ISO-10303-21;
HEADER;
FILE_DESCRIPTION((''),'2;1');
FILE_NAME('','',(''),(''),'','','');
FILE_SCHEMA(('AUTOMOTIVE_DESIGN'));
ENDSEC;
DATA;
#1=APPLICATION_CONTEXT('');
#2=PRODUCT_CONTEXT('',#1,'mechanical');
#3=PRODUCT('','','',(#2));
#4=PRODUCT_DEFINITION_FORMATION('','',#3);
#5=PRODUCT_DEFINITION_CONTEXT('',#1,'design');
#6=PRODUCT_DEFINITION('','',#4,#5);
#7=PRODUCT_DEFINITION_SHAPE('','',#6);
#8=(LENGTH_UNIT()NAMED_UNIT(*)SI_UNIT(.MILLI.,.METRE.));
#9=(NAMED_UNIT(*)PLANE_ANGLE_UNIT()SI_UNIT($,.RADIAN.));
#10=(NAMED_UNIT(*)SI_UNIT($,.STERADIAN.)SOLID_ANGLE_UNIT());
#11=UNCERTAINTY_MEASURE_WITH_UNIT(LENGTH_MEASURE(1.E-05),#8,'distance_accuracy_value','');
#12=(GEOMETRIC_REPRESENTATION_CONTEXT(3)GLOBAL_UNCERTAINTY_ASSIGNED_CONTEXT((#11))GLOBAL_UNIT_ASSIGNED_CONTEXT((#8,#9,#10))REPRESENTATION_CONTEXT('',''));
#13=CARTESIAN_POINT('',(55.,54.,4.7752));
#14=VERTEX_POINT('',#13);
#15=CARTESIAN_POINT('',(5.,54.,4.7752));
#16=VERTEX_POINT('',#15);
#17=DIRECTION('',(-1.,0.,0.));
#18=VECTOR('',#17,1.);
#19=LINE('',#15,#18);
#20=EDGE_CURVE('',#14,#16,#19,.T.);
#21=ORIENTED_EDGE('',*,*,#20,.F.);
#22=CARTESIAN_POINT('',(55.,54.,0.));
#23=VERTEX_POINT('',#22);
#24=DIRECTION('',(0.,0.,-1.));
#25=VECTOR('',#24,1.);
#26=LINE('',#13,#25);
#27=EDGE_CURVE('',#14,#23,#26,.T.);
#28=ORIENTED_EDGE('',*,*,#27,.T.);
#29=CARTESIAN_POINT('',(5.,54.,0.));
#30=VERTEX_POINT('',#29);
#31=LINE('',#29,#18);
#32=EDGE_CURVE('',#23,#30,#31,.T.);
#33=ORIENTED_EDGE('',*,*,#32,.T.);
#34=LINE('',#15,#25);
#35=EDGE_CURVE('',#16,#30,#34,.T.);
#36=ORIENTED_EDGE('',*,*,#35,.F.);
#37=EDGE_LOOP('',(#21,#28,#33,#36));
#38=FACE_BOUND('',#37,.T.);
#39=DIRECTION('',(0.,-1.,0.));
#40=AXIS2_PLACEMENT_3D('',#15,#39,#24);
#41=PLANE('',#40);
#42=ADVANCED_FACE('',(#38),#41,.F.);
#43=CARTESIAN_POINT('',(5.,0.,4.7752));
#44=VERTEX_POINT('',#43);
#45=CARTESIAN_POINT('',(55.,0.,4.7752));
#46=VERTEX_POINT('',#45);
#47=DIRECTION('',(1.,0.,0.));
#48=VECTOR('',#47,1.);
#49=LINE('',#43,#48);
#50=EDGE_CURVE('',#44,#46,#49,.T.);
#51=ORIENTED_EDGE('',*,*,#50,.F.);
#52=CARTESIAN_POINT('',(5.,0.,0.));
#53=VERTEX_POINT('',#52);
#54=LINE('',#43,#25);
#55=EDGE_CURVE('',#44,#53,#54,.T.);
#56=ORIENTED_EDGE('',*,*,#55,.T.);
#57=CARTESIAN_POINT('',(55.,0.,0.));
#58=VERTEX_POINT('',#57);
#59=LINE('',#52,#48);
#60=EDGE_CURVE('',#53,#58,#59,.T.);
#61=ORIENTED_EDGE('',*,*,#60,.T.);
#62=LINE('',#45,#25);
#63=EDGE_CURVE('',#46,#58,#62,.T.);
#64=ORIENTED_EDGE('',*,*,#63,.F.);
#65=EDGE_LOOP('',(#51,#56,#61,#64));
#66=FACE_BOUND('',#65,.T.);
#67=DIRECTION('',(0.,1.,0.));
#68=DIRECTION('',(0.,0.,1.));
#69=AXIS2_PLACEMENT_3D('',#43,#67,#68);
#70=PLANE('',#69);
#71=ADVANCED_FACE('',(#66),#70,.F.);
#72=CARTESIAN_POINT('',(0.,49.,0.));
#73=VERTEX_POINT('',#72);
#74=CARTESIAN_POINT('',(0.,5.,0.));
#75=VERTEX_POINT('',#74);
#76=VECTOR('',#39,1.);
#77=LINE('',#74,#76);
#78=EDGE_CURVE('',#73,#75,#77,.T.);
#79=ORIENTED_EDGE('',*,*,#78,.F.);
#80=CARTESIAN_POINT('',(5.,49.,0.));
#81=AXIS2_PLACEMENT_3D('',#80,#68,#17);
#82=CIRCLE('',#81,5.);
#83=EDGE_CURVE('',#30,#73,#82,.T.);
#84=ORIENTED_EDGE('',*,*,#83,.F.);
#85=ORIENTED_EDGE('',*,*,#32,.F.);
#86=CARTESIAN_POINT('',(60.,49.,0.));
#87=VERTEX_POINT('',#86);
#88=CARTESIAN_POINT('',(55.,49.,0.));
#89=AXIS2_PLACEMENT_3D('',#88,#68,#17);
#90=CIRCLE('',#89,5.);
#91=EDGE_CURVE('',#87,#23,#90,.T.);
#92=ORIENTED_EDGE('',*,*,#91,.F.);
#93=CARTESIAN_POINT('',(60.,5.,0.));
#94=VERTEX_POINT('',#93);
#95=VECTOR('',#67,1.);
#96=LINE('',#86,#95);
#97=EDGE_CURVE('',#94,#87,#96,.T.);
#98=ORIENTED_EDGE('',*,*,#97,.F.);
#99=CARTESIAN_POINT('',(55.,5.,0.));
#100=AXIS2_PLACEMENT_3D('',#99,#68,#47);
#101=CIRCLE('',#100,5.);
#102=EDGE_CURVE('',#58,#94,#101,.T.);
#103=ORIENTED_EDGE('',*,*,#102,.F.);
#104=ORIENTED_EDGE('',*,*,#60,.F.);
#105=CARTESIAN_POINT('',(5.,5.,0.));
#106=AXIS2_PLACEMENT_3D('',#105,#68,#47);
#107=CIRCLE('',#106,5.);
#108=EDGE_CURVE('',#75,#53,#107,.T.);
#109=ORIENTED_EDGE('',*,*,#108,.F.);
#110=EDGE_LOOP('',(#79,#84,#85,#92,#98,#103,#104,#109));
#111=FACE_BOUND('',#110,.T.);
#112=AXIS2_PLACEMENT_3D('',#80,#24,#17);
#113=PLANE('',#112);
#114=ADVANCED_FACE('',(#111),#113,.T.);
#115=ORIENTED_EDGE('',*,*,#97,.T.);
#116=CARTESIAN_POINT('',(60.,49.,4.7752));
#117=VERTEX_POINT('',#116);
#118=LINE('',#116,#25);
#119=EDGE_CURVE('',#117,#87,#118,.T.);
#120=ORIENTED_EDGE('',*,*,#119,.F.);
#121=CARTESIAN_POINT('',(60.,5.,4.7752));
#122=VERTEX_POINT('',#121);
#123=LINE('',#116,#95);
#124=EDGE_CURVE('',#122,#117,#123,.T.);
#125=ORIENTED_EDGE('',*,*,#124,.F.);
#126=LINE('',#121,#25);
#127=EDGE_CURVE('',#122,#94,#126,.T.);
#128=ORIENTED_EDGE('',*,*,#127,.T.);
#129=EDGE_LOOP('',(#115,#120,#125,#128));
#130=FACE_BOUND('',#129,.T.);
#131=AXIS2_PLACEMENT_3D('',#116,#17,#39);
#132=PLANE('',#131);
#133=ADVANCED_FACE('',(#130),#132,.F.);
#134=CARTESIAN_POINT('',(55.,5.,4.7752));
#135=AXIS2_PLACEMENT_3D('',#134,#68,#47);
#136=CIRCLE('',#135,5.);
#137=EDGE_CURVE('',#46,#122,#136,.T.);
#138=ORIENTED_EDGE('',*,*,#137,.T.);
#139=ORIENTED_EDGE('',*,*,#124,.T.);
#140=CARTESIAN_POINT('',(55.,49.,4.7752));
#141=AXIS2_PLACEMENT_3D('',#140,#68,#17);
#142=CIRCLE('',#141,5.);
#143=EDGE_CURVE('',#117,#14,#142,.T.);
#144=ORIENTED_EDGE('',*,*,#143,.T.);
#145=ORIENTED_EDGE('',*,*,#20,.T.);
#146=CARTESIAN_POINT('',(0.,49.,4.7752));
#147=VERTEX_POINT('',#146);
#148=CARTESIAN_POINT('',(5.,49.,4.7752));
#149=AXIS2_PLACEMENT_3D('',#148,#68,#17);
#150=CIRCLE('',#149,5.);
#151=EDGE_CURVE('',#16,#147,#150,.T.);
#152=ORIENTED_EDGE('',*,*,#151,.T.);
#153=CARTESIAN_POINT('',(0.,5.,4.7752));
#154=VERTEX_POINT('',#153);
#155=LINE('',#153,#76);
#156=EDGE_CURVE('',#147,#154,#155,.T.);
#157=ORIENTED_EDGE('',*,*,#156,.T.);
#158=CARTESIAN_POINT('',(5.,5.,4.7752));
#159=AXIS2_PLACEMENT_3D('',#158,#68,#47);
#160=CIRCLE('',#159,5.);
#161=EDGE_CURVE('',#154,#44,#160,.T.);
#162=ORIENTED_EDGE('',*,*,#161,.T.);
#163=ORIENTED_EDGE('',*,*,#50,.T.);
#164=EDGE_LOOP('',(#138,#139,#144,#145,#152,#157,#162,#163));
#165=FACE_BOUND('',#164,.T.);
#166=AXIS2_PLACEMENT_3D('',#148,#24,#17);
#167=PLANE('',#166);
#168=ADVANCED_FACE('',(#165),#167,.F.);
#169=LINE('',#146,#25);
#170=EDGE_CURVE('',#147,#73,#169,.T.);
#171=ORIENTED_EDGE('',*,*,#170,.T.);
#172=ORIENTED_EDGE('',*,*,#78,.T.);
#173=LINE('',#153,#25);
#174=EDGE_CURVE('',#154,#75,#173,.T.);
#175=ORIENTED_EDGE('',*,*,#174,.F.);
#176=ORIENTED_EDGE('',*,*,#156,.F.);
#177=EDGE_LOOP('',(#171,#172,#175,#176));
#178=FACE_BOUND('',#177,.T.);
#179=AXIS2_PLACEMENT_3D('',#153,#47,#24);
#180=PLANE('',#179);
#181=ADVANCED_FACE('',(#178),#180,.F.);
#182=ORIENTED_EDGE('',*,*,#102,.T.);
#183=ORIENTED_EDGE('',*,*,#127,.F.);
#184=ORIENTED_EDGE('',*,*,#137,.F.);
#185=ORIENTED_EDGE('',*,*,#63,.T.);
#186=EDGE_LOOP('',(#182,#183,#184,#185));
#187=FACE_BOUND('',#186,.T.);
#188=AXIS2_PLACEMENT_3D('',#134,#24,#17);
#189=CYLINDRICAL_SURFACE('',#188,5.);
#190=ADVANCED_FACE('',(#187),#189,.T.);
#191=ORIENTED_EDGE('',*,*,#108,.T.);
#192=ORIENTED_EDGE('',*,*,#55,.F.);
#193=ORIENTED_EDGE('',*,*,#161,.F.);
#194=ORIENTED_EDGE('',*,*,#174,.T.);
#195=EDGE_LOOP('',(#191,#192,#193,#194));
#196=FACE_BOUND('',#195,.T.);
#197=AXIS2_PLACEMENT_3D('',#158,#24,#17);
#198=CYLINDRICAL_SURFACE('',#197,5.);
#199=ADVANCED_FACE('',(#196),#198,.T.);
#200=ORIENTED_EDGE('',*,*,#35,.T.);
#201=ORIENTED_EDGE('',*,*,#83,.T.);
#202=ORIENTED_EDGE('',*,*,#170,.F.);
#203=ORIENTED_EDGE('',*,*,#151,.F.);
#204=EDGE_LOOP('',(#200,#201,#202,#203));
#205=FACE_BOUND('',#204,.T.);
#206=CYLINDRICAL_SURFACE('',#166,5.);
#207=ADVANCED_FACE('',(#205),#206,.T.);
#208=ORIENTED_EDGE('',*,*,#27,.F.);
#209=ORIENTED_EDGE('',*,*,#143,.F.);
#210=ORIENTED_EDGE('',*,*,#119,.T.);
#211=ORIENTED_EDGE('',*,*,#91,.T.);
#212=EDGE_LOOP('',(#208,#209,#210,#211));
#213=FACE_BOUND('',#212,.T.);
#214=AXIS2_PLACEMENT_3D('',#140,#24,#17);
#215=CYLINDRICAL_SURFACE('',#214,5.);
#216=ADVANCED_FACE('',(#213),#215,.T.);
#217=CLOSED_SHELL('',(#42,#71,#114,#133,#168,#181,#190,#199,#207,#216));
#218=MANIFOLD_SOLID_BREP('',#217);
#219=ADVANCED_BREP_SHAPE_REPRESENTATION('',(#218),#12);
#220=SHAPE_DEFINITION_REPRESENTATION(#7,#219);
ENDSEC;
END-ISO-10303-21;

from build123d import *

# Parameters (mm, degrees)
BOSS_EXTRUDE1_DEPTH = 4.7752


with BuildPart() as part:
    # Sketch1 → Boss-Extrude1 (new body)
    with BuildSketch(Plane.XY):
        with BuildLine():
            Line((0, 5), (0, 49))
            ThreePointArc((0, 49), (1.464466094, 52.535533906), (5, 54))
            Line((5, 54), (55, 54))
            ThreePointArc((55, 54), (58.535533906, 52.535533906), (60, 49))
            Line((60, 49), (60, 5))
            ThreePointArc((60, 5), (58.535533906, 1.464466094), (55, 0))
            Line((55, 0), (5, 0))
            ThreePointArc((5, 0), (1.464466094, 1.464466094), (0, 5))
        make_face()
    extrude(amount=BOSS_EXTRUDE1_DEPTH)


solid = part.part
